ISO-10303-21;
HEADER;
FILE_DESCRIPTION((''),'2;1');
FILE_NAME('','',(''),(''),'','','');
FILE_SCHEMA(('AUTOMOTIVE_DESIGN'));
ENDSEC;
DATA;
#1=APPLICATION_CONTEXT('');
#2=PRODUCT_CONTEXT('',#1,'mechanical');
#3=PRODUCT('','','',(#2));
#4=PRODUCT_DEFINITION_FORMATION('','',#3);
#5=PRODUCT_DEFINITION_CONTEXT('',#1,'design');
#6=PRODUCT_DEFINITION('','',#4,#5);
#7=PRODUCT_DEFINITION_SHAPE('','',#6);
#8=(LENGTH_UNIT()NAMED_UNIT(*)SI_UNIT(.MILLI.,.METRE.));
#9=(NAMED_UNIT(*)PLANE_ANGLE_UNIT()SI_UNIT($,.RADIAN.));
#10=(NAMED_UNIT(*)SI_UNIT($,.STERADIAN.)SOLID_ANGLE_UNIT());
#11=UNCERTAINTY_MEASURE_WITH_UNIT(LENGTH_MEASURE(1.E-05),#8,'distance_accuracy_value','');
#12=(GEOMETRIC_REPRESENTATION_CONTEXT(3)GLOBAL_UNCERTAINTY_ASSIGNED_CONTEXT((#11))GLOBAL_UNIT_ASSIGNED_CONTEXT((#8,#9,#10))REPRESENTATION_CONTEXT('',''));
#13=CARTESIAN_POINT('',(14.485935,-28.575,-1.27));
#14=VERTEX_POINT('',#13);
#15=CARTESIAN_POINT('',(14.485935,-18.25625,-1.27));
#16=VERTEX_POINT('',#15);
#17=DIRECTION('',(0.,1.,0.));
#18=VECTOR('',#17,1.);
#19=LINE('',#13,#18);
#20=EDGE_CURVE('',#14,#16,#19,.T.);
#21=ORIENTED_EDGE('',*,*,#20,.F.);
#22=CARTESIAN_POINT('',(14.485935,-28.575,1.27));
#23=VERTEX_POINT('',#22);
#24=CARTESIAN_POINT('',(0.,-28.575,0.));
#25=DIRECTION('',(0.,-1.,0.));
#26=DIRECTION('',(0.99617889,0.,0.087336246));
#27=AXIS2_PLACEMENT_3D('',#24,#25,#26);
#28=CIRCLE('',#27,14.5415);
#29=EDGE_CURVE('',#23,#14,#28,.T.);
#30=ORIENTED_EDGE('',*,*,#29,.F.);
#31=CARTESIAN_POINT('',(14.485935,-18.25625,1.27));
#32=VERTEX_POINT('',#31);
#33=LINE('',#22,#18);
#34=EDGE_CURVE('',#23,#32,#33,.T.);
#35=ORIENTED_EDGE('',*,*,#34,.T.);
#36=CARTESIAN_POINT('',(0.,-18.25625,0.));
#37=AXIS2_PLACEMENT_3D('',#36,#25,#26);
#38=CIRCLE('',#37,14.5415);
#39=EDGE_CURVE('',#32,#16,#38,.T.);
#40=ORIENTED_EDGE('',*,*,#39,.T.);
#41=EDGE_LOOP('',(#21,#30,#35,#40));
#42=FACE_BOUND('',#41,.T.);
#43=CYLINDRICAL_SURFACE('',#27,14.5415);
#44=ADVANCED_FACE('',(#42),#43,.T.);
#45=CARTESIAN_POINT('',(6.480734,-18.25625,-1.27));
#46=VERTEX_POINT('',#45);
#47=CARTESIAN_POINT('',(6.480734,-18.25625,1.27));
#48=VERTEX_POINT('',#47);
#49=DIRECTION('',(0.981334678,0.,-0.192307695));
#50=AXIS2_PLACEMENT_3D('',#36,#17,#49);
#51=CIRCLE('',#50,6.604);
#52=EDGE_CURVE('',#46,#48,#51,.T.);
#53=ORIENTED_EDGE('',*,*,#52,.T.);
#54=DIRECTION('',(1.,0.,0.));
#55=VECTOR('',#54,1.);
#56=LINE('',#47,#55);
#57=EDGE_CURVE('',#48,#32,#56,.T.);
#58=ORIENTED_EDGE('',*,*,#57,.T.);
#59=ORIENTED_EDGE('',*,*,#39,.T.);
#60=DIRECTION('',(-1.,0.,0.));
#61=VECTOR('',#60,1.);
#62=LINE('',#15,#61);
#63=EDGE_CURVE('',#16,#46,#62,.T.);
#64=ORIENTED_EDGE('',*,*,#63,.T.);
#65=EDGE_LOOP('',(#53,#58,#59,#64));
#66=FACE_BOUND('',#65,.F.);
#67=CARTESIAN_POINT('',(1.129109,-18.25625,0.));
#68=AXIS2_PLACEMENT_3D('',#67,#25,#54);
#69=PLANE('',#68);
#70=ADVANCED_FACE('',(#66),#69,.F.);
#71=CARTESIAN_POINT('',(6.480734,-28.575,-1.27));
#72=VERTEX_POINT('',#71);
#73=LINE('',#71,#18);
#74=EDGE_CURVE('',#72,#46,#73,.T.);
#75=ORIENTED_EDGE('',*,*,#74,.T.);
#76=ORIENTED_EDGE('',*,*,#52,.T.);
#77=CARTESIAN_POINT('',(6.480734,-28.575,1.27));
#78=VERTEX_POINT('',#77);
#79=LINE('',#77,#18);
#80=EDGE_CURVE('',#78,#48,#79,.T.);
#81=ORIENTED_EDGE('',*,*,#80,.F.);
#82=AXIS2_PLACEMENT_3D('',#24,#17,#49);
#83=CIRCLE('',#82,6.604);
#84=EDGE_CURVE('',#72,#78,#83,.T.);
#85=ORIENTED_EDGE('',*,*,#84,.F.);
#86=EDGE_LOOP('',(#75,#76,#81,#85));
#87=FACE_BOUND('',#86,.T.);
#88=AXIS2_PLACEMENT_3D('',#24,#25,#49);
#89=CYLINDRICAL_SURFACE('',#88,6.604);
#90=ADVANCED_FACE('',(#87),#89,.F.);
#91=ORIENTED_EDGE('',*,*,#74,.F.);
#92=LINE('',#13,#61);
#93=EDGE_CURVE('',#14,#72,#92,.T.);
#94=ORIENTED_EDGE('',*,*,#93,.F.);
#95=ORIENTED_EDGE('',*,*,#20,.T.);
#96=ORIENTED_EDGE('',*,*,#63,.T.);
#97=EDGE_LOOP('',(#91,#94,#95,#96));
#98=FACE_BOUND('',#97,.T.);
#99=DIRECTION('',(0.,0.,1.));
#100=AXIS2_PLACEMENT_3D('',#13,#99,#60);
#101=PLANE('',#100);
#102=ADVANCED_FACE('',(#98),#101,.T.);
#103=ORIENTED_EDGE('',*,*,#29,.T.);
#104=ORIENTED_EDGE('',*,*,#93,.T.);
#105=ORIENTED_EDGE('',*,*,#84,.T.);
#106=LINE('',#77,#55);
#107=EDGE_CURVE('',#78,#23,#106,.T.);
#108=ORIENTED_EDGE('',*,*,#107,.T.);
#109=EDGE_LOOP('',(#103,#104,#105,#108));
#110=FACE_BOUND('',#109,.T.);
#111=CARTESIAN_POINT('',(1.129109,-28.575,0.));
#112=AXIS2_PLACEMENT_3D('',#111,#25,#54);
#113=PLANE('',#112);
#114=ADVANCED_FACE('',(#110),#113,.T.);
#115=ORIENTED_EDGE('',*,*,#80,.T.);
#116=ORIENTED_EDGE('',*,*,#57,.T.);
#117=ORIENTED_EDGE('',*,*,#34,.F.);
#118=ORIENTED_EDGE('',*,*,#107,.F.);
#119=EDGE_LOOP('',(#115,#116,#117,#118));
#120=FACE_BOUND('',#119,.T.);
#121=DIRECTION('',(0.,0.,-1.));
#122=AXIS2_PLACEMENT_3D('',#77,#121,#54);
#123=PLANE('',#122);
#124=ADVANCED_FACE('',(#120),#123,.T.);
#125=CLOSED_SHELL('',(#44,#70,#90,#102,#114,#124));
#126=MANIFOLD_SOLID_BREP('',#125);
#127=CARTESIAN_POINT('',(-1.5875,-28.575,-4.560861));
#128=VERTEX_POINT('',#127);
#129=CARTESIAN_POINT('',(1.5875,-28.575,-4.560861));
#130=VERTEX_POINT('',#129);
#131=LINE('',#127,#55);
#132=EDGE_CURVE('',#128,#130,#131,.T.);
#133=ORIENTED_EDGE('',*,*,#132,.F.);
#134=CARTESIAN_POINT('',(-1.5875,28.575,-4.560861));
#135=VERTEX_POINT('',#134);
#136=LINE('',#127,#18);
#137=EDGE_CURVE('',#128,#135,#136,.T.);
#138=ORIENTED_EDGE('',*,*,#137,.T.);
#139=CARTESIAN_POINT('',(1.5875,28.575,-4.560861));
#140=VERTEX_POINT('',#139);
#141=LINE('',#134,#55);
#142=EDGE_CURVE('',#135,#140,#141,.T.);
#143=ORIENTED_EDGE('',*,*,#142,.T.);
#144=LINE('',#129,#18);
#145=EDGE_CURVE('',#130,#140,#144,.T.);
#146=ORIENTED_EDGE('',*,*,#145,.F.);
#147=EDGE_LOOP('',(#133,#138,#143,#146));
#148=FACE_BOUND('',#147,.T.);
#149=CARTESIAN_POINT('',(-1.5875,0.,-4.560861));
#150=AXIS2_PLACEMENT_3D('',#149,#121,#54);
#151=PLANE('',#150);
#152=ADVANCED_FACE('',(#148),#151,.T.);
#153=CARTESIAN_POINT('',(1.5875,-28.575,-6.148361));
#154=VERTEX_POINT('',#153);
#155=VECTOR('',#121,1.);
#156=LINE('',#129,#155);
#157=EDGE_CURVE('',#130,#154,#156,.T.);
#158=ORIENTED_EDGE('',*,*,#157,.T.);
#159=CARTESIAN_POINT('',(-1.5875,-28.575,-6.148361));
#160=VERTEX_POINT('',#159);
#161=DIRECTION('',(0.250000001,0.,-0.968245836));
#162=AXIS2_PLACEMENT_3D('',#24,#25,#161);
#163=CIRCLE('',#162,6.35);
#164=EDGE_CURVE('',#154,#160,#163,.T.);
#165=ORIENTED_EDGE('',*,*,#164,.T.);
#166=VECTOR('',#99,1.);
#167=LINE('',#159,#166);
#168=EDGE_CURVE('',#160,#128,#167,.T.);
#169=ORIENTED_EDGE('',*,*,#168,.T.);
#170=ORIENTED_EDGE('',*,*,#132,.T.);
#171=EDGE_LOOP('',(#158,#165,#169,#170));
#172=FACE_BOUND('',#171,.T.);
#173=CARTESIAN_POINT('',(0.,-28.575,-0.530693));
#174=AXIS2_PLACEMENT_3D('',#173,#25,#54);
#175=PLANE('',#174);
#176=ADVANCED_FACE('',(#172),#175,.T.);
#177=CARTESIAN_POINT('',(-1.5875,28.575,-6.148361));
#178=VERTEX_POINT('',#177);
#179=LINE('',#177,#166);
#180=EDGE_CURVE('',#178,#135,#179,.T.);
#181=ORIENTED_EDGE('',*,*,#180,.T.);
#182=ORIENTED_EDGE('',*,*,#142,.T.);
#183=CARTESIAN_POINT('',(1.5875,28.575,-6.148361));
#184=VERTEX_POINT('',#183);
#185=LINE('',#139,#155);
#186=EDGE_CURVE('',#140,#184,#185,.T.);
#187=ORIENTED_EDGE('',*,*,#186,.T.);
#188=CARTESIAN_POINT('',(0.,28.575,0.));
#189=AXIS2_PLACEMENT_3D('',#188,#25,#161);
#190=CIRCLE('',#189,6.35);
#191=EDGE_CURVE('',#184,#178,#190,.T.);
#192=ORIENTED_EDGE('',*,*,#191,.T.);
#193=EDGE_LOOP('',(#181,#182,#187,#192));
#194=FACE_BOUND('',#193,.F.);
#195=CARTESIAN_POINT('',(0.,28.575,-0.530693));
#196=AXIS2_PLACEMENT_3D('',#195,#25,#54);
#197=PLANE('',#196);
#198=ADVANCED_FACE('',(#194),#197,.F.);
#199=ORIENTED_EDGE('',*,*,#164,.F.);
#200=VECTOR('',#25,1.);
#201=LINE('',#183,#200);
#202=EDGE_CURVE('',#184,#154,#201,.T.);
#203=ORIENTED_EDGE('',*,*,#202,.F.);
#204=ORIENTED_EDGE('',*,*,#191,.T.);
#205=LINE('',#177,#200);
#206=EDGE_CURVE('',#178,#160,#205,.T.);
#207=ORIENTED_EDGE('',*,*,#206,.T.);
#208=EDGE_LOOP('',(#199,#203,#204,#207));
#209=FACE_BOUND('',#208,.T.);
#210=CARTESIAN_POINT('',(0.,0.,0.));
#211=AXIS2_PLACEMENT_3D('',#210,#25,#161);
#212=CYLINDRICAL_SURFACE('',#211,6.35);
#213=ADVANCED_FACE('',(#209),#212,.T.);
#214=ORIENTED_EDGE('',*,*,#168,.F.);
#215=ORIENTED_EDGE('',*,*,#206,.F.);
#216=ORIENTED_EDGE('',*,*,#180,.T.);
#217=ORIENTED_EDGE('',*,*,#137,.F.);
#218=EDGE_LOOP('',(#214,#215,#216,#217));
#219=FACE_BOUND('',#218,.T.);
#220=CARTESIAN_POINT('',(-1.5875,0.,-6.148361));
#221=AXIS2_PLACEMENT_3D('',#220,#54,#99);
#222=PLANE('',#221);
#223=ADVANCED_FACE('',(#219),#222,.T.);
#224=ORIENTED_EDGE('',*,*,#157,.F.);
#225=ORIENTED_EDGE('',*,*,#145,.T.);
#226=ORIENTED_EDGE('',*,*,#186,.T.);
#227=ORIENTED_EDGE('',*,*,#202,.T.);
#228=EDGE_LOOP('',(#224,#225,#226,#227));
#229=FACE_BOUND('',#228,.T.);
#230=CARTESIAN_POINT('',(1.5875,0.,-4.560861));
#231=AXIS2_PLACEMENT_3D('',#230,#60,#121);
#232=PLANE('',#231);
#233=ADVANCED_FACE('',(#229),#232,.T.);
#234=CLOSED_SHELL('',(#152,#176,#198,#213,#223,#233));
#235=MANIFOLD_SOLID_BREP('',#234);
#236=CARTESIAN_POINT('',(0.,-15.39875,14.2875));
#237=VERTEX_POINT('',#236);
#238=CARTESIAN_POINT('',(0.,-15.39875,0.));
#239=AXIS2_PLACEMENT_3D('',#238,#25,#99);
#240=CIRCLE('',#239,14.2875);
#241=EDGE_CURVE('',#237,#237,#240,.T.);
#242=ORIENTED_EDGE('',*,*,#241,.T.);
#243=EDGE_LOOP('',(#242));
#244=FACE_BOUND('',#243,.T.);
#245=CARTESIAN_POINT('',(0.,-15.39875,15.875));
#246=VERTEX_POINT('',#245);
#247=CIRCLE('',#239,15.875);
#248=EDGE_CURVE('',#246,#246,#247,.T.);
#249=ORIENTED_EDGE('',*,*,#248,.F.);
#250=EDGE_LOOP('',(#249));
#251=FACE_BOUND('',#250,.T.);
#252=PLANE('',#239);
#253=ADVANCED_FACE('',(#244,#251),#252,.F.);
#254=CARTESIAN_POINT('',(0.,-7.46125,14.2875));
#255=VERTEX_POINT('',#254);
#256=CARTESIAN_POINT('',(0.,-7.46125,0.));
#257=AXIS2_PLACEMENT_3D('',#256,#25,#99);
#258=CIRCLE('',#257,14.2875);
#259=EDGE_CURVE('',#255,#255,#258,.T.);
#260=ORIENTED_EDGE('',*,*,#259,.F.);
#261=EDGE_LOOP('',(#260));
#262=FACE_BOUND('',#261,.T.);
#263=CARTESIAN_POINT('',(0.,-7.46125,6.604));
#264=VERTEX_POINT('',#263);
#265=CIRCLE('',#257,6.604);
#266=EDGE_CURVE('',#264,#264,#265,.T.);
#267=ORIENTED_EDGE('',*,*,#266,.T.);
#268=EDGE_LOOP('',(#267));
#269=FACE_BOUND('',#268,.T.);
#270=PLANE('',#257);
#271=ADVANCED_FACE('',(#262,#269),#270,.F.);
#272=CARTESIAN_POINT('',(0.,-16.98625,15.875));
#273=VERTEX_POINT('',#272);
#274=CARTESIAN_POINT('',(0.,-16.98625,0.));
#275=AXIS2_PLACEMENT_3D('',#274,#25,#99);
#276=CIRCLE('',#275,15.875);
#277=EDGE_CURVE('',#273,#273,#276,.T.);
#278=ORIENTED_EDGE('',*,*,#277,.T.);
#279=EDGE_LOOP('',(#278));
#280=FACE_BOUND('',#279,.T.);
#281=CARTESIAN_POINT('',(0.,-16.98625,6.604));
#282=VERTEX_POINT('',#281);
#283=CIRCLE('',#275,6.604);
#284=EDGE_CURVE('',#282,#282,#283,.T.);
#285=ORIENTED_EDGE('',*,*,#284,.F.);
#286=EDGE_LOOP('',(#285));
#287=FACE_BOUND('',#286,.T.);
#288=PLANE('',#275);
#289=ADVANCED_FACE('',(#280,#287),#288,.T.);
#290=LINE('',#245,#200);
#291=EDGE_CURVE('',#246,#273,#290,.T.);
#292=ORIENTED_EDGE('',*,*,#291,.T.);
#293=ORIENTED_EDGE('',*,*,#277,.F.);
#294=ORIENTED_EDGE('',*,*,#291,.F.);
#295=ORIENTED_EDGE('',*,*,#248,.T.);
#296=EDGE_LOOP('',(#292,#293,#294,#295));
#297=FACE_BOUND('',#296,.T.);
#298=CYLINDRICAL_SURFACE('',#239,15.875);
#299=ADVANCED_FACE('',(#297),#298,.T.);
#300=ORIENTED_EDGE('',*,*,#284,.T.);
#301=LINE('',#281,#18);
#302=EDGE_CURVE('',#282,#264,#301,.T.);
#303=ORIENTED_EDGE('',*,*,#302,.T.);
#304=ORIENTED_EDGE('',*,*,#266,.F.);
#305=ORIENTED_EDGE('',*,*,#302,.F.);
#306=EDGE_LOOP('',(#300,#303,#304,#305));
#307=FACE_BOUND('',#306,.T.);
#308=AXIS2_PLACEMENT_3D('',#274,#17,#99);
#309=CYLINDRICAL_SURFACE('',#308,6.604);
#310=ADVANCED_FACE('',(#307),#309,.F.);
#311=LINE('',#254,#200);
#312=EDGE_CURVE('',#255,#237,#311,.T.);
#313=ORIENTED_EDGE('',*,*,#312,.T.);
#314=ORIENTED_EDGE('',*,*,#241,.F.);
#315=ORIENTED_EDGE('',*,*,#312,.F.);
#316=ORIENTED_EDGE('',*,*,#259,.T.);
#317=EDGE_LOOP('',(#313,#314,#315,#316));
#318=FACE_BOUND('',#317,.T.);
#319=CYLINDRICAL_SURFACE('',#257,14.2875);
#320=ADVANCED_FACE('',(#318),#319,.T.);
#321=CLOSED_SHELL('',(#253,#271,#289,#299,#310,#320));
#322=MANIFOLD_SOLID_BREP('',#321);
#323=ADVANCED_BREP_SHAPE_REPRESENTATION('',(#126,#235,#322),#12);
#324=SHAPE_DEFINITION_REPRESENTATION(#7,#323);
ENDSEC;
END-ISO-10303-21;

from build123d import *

# Parameters (mm, degrees)
F1_DEPTH = 28.575
F3_DEPTH = 10.31875


with BuildPart() as f1:
    # F0 (on Front) → F1 (new body, symmetric)
    with BuildSketch(Plane.XZ):
        with BuildLine():
            Line((1.5875, -4.560861), (1.5875, -6.148361))
            ThreePointArc((1.5875, -6.148361), (0, 6.35), (-1.5875, -6.148361))
            Line((-1.5875, -6.148361), (-1.5875, -4.560861))
            Line((-1.5875, -4.560861), (0, -4.560861))
            Line((0, -4.560861), (1.5875, -4.560861))
        make_face()
    extrude(amount=F1_DEPTH, both=True)


with BuildPart() as f3:
    # F2 (on face) → F3 (new body)
    with BuildSketch(Plane.XZ.offset(28.575)):
        with BuildLine():
            ThreePointArc((6.480734, -1.27), (-6.604, 0), (6.480734, 1.27))
            Line((6.480734, 1.27), (14.485935, 1.27))
            ThreePointArc((14.485935, 1.27), (-14.5415, 0), (14.485935, -1.27))
            Line((14.485935, -1.27), (6.480734, -1.27))
        make_face()
    extrude(amount=-F3_DEPTH)


with BuildPart() as f5:
    # F4 (on Right) → F5 (revolve)
    with BuildSketch(Plane.YZ):
        Polygon((-16.98625, 15.875), (-16.98625, 6.604), (-7.46125, 6.604), (-7.46125, 14.2875), (-15.39875, 14.2875), (-15.39875, 15.875), align=None)
    revolve(axis=Axis((0, -14.2875, 0), (0, -1, 0)))


solid = Compound([f1.part, f3.part, f5.part])
